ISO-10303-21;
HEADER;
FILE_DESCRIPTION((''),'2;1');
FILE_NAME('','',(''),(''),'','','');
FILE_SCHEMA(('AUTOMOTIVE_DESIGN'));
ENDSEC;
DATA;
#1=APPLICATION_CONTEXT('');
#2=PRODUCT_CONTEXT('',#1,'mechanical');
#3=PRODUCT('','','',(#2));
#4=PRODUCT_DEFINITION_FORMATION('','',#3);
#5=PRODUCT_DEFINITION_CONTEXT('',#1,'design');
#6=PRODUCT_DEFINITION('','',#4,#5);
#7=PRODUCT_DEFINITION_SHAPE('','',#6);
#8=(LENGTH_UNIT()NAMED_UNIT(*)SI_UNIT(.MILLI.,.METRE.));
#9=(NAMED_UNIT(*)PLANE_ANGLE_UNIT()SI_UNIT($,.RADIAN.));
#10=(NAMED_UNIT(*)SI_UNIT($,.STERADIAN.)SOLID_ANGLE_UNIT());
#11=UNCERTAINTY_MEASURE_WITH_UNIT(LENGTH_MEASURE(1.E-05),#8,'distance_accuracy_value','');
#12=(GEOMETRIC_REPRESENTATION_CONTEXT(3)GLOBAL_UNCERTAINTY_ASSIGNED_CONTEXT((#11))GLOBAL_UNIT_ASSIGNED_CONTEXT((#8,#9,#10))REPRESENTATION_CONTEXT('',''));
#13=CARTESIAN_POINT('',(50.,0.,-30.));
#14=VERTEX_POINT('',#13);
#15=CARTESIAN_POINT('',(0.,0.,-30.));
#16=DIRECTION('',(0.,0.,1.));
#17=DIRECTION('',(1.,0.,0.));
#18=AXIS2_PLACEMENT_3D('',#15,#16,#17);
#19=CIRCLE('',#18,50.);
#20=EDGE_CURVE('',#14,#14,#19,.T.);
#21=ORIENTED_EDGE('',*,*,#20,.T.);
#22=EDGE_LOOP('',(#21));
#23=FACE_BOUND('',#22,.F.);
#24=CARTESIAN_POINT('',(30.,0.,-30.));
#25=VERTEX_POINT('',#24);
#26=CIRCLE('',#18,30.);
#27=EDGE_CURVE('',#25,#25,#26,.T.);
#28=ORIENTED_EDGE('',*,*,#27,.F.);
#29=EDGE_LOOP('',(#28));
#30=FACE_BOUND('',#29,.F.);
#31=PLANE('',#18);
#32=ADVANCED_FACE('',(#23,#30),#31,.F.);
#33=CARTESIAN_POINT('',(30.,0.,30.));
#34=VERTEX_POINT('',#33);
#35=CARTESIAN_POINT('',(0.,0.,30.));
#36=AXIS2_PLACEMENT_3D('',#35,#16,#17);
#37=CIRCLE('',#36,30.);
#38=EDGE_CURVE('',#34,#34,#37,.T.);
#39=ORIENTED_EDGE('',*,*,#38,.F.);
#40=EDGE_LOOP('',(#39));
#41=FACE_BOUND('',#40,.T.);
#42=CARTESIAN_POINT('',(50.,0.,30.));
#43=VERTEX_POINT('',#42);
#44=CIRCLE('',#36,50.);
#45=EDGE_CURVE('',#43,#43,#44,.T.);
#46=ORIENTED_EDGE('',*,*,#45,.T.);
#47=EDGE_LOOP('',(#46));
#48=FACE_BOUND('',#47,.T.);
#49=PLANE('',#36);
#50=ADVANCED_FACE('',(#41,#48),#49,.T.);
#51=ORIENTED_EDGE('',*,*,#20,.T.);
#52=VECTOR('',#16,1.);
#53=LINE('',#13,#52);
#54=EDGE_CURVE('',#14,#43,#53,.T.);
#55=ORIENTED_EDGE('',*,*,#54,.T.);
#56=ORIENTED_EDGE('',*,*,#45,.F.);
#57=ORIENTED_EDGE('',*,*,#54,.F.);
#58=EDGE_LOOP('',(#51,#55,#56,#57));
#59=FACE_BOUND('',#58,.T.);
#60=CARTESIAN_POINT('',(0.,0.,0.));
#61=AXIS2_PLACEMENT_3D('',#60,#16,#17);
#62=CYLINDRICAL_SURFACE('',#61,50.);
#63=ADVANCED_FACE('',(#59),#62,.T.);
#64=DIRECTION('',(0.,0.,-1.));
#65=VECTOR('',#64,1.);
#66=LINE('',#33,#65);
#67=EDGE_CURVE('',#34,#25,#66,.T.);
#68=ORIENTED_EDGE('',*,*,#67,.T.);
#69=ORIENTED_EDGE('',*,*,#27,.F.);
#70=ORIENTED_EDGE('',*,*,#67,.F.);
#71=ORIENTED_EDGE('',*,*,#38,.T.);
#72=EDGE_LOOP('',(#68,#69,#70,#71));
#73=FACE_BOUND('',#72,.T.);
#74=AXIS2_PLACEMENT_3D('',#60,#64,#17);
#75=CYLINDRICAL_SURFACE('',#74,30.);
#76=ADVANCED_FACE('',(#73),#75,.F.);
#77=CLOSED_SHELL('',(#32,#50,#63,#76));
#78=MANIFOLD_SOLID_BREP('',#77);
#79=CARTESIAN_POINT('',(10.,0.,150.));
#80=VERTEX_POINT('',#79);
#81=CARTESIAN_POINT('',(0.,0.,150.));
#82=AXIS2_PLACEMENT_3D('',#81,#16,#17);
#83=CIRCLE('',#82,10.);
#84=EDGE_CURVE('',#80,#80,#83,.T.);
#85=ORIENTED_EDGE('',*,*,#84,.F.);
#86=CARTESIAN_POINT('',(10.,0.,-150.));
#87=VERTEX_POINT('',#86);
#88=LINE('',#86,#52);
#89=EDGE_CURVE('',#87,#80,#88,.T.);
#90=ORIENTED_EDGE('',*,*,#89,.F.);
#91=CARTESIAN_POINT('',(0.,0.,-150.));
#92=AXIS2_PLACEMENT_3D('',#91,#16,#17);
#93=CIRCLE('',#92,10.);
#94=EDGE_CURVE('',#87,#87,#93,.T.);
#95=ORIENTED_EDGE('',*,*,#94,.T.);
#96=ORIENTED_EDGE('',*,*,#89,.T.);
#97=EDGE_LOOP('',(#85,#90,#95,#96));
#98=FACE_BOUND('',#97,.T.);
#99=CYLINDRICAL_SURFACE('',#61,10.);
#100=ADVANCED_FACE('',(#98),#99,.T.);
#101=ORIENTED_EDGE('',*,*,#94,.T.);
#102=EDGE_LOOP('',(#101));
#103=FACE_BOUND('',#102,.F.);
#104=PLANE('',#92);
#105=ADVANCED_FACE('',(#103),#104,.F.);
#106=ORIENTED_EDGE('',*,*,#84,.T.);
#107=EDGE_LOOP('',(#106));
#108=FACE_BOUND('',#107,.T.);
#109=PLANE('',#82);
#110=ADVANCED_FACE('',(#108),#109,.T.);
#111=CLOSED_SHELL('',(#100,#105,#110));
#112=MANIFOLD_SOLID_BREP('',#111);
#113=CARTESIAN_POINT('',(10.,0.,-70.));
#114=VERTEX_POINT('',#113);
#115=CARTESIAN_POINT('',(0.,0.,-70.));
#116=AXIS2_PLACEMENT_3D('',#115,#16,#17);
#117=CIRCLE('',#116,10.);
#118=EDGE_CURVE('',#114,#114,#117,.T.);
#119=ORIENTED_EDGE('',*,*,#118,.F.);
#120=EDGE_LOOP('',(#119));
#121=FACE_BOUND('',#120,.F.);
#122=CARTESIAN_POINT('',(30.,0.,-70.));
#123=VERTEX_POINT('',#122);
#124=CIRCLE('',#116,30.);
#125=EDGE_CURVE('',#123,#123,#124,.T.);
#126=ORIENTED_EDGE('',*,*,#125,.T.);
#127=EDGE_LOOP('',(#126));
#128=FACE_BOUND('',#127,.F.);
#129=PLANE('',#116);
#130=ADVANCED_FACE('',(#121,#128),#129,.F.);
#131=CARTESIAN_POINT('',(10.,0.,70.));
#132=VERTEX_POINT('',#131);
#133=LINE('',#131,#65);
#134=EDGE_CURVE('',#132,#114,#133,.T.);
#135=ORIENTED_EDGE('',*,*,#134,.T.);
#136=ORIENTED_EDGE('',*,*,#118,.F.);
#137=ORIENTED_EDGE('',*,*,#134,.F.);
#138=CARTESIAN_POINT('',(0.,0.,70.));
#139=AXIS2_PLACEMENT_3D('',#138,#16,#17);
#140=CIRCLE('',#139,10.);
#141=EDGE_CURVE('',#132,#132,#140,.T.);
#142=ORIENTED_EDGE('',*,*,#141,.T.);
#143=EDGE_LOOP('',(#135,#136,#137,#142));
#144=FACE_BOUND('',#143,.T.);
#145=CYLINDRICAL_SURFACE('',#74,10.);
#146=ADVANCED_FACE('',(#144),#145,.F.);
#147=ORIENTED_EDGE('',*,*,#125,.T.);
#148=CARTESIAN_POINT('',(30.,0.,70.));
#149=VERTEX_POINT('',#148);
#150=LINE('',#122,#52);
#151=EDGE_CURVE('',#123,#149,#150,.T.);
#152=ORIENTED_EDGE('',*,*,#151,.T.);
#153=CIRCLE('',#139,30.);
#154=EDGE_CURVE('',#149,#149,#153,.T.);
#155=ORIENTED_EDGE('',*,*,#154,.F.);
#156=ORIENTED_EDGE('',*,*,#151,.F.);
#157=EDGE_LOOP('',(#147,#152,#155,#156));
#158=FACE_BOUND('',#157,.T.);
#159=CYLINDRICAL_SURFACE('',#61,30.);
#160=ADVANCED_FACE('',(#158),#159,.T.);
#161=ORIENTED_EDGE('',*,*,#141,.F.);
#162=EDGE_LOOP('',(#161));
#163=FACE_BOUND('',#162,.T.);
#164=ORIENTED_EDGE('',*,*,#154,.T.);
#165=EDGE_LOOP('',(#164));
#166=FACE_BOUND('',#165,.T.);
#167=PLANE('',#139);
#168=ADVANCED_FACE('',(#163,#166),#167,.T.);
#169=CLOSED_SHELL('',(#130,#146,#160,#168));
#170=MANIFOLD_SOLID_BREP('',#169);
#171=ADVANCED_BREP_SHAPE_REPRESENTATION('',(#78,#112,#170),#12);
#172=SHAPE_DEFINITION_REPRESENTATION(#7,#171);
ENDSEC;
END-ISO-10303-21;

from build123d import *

# Parameters (mm, degrees)
F0_R     = 10
F1_DEPTH = 150
F0_R_2   = 50
F0_R_3   = 30
F2_DEPTH = 30
F3_DEPTH = 70


with BuildPart() as f1:
    # F0 (on Top) → F1 (new body, symmetric)
    with BuildSketch(Plane.XY):
        Circle(F0_R)
    extrude(amount=F1_DEPTH, both=True)


with BuildPart() as f2:
    # F0 (on Top) → F2 (new body, symmetric)
    with BuildSketch(Plane.XY):
        Circle(F0_R_2)
        Circle(F0_R_3, mode=Mode.SUBTRACT)
    extrude(amount=F2_DEPTH, both=True)


with BuildPart() as f3:
    # F0 (on Top) → F3 (new body, symmetric)
    with BuildSketch(Plane.XY):
        Circle(F0_R_3)
        Circle(F0_R, mode=Mode.SUBTRACT)
    extrude(amount=F3_DEPTH, both=True)


solid = Compound([f1.part, f2.part, f3.part])
